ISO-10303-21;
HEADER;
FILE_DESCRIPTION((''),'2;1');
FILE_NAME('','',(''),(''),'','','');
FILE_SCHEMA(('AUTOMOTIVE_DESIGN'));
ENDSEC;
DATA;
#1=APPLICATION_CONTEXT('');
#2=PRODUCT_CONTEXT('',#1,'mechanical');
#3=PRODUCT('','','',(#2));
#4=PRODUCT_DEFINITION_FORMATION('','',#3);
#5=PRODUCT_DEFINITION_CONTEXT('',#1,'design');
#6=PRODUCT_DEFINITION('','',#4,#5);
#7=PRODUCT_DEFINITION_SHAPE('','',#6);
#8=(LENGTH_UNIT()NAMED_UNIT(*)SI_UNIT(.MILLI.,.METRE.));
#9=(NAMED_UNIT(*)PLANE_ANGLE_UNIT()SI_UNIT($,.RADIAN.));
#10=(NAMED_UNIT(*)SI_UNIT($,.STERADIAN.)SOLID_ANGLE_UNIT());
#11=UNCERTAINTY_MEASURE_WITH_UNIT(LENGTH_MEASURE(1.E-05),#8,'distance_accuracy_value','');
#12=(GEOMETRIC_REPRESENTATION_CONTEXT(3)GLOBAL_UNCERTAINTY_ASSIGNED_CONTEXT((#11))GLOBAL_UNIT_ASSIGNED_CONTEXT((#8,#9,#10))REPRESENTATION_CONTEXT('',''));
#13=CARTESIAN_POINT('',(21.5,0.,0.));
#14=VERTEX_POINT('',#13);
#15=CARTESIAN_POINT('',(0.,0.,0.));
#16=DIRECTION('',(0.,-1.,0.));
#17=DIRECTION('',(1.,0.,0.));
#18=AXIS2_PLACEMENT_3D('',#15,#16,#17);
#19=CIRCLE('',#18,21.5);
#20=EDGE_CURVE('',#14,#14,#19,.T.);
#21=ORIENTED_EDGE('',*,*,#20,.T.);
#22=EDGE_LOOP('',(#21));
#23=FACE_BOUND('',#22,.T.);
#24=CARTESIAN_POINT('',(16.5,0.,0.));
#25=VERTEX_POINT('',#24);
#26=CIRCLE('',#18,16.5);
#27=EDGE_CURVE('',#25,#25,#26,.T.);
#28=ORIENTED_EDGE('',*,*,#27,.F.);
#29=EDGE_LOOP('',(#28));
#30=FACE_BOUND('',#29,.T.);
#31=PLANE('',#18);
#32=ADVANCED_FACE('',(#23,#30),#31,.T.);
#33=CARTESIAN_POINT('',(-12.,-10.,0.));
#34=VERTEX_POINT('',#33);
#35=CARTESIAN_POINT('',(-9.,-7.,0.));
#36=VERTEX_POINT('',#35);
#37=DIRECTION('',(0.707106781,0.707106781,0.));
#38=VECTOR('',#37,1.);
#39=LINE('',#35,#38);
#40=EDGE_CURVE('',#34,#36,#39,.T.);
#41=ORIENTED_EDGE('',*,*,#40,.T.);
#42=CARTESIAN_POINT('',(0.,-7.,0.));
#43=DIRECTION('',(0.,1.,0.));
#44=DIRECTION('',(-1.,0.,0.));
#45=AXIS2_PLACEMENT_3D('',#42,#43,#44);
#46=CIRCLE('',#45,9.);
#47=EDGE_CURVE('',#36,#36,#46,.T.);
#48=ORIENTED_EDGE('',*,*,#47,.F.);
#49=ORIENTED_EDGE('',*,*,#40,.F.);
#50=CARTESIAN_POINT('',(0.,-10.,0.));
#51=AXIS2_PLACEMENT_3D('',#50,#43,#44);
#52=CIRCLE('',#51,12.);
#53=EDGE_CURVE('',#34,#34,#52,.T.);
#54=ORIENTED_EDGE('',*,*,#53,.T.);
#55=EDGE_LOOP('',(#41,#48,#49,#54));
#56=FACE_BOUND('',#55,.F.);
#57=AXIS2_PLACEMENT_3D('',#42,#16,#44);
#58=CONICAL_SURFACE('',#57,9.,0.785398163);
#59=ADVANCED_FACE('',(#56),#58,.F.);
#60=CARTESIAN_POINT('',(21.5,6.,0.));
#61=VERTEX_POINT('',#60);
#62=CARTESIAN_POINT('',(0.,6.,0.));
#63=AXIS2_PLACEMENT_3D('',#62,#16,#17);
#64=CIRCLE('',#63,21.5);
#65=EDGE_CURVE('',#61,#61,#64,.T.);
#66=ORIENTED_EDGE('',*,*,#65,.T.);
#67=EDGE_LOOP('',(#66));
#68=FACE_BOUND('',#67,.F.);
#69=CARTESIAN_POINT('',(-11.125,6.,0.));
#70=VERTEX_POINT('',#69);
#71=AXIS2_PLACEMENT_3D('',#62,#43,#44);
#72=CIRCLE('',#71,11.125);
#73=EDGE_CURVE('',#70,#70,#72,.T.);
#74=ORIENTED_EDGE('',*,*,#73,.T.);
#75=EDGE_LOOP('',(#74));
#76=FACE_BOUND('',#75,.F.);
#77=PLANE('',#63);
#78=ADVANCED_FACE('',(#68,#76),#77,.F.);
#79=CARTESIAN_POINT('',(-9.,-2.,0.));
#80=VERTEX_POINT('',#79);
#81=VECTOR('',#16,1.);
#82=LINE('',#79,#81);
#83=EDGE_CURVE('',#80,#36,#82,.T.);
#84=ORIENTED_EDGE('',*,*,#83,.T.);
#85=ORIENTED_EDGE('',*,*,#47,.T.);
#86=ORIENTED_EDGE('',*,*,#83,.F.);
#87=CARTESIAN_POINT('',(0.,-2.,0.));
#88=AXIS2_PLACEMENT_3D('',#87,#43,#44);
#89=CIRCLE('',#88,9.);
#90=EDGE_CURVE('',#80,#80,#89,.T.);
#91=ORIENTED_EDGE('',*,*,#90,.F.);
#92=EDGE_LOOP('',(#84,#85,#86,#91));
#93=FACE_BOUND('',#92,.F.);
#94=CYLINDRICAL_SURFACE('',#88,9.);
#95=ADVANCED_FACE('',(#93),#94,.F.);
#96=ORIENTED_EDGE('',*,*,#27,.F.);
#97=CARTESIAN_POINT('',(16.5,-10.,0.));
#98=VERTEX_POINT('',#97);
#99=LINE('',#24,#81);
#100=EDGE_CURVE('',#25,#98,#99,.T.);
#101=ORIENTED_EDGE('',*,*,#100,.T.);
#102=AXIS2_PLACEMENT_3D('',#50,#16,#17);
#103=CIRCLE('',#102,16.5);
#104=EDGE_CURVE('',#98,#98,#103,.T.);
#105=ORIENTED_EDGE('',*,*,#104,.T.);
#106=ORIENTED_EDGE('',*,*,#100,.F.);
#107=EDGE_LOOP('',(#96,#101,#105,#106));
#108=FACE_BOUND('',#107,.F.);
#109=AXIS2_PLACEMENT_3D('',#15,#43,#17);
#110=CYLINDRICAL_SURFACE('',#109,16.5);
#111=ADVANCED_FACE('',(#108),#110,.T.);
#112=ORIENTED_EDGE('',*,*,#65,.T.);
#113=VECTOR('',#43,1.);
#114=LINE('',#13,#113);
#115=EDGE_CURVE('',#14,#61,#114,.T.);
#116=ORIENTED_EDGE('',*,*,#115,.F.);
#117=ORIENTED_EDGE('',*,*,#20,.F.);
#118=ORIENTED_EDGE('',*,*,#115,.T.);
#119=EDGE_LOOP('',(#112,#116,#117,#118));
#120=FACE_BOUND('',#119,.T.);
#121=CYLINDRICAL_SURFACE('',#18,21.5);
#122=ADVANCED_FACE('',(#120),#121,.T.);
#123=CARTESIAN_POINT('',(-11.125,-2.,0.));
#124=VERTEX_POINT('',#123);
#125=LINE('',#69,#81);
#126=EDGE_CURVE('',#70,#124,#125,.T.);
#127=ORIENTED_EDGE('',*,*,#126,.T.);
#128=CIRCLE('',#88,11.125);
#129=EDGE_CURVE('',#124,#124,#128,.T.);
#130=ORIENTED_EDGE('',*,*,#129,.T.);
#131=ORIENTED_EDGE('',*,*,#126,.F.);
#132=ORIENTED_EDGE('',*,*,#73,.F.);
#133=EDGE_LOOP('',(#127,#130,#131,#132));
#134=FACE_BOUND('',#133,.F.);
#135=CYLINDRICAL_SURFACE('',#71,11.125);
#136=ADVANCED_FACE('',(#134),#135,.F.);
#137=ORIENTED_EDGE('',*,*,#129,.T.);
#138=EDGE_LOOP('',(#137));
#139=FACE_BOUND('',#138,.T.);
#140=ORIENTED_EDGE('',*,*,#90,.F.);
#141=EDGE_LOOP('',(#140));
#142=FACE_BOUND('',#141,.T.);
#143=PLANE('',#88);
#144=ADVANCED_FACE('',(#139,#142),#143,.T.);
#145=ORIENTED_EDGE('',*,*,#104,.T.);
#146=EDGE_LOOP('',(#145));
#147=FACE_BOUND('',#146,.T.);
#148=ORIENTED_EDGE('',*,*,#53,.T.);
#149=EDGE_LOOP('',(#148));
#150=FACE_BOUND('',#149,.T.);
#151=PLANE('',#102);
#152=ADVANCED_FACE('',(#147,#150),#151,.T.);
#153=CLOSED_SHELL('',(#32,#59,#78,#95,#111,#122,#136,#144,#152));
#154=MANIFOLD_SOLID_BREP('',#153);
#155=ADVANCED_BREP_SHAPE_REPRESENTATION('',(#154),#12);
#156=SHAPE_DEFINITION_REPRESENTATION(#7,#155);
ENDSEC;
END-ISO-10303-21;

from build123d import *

# Parameters (mm, degrees)
F0_R     = 21.5
F1_DEPTH = 6
F2_R     = 16.5
F3_DEPTH = 10
F4_R     = 11.125
F5_DEPTH = 8
F6_R     = 9
F7_DEPTH = 8.001
F8_SIZE  = 3


with BuildPart() as f1:
    # F0 (on Front) → F1 (new body)
    with BuildSketch(Plane.XZ):
        Circle(F0_R)
    extrude(amount=-F1_DEPTH)

    # F2 (on face) → F3 (join)
    with BuildSketch(Plane.XZ):
        Circle(F2_R)
    extrude(amount=F3_DEPTH)

    # F4 (on face) → F5 (cut, through all)
    with BuildSketch(Plane(origin=(0, 6, 0), x_dir=(-1, 0, 0), z_dir=(0, 1, 0))):
        Circle(F4_R)
    extrude(amount=-F5_DEPTH, mode=Mode.SUBTRACT)

    # F6 (on face) → F7 (cut, through all)
    with BuildSketch(Plane(origin=(0, -2, 0), x_dir=(-1, 0, 0), z_dir=(0, 1, 0))):
        Circle(F6_R)
    extrude(amount=-F7_DEPTH, mode=Mode.SUBTRACT)

    # F8
    f8_edges = [f1.edges().sort_by_distance(p)[0] for p in [
        (9, -10, 0),
    ]]
    chamfer(f8_edges, length=F8_SIZE)


solid = f1.part
